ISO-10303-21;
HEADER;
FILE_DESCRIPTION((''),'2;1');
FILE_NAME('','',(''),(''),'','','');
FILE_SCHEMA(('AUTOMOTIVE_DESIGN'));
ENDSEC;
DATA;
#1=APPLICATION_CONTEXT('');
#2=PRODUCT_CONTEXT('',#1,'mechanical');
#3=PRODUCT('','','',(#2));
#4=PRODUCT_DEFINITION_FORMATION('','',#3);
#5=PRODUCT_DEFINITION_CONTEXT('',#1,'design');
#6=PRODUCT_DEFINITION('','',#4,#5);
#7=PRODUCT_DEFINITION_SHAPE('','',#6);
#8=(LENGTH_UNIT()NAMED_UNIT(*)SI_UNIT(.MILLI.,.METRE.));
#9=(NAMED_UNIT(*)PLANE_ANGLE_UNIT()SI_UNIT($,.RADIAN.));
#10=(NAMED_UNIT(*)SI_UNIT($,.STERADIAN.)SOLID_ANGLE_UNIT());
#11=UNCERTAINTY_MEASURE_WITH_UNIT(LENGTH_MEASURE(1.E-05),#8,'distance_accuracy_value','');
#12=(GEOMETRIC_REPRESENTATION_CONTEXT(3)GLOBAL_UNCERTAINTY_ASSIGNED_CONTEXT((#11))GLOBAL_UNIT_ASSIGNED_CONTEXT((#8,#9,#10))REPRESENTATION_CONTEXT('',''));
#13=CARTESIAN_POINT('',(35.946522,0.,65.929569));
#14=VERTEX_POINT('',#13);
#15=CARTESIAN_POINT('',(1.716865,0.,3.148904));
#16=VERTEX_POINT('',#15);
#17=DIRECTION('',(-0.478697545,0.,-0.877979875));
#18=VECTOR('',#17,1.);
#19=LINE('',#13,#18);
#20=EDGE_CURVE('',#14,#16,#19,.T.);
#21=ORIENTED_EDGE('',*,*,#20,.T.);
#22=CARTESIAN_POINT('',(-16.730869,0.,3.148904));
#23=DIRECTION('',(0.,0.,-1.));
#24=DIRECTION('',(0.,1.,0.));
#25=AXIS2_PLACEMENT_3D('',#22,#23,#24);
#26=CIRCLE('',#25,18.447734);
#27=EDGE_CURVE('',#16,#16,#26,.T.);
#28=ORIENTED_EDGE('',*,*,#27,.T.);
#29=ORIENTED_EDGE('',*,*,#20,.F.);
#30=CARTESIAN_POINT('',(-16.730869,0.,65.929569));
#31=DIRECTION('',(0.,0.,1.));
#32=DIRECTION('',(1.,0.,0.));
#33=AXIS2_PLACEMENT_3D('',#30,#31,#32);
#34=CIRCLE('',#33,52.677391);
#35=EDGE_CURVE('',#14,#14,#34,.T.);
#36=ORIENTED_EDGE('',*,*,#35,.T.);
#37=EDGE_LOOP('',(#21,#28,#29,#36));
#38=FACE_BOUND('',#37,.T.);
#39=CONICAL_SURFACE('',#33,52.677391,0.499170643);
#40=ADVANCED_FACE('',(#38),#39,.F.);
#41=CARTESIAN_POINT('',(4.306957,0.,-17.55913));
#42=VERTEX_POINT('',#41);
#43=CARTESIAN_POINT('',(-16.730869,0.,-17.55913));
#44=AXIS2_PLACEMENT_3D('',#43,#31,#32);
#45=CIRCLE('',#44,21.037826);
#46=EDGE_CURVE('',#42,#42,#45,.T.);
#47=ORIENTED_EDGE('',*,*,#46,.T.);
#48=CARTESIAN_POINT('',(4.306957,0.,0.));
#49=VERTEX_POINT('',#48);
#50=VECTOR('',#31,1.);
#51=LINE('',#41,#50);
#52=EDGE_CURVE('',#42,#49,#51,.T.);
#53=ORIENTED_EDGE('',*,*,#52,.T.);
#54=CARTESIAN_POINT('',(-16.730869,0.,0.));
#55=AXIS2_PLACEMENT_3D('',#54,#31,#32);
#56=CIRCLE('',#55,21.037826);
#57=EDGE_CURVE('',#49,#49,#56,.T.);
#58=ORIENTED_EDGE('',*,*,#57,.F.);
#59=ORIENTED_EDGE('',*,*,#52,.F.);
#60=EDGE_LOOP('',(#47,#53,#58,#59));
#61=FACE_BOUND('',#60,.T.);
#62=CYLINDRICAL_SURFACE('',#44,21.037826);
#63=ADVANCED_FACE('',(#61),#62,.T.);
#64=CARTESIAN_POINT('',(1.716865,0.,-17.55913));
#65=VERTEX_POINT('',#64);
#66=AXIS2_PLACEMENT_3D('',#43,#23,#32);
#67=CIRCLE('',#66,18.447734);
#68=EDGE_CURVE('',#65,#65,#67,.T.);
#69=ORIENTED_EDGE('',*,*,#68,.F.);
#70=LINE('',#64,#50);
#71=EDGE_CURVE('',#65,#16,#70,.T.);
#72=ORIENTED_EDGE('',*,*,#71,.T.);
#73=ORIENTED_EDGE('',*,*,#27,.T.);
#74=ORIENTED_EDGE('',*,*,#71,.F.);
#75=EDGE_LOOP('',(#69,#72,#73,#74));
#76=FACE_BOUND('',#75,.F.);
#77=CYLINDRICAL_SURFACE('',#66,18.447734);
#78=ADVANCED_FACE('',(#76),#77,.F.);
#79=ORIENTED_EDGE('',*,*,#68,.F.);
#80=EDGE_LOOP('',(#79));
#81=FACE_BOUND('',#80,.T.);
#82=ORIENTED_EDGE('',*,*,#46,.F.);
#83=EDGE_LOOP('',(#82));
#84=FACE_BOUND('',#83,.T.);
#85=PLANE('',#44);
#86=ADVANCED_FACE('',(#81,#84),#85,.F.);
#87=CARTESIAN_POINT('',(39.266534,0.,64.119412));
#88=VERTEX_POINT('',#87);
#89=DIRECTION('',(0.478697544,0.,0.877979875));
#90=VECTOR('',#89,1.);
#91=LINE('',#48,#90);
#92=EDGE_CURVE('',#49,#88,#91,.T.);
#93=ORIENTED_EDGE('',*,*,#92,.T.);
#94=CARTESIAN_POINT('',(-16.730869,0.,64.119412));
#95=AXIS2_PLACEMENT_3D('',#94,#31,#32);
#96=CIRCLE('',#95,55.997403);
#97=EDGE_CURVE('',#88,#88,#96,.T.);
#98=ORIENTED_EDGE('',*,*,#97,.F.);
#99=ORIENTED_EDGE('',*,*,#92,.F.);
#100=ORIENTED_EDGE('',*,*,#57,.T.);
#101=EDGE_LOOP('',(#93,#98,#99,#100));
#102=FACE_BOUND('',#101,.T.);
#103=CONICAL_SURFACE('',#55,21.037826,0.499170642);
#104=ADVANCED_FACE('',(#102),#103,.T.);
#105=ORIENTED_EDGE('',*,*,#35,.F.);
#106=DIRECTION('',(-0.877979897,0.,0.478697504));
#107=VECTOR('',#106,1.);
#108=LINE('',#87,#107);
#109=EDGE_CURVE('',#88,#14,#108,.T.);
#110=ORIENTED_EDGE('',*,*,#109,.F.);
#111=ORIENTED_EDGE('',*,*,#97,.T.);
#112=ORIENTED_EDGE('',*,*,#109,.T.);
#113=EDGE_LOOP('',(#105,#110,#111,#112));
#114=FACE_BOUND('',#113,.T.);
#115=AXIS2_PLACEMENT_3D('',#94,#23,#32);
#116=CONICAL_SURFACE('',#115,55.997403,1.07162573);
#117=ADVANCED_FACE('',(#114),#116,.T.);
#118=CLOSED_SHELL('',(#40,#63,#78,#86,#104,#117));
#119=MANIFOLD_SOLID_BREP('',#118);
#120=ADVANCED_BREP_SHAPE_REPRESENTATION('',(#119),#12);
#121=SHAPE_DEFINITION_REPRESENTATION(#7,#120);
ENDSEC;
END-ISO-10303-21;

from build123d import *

# Parameters (mm, degrees)
F2_R     = 18.447734
F3_DEPTH = 50.8


with BuildPart() as f1:
    # F0 (on Front) → F1 (revolve)
    with BuildSketch(Plane.XZ):
        Polygon((35.946522, 65.929569), (0.722543, 1.325217), (-16.730869, 1.325217), (-16.730869, -17.55913), (4.306957, -17.55913), (4.306957, 0), (39.266534, 64.119412), align=None)
    revolve(axis=Axis((-16.730869, 0, -8.116956), (0, 0, 1)))

    # F2 (on face) → F3 (cut)
    with BuildSketch(Plane(origin=(0, 0, -17.55913), x_dir=(1, 0, 0), z_dir=(0, 0, -1))):
        with Locations((-16.730869, 0)):
            Circle(F2_R)
    extrude(amount=-F3_DEPTH, mode=Mode.SUBTRACT)


solid = f1.part
